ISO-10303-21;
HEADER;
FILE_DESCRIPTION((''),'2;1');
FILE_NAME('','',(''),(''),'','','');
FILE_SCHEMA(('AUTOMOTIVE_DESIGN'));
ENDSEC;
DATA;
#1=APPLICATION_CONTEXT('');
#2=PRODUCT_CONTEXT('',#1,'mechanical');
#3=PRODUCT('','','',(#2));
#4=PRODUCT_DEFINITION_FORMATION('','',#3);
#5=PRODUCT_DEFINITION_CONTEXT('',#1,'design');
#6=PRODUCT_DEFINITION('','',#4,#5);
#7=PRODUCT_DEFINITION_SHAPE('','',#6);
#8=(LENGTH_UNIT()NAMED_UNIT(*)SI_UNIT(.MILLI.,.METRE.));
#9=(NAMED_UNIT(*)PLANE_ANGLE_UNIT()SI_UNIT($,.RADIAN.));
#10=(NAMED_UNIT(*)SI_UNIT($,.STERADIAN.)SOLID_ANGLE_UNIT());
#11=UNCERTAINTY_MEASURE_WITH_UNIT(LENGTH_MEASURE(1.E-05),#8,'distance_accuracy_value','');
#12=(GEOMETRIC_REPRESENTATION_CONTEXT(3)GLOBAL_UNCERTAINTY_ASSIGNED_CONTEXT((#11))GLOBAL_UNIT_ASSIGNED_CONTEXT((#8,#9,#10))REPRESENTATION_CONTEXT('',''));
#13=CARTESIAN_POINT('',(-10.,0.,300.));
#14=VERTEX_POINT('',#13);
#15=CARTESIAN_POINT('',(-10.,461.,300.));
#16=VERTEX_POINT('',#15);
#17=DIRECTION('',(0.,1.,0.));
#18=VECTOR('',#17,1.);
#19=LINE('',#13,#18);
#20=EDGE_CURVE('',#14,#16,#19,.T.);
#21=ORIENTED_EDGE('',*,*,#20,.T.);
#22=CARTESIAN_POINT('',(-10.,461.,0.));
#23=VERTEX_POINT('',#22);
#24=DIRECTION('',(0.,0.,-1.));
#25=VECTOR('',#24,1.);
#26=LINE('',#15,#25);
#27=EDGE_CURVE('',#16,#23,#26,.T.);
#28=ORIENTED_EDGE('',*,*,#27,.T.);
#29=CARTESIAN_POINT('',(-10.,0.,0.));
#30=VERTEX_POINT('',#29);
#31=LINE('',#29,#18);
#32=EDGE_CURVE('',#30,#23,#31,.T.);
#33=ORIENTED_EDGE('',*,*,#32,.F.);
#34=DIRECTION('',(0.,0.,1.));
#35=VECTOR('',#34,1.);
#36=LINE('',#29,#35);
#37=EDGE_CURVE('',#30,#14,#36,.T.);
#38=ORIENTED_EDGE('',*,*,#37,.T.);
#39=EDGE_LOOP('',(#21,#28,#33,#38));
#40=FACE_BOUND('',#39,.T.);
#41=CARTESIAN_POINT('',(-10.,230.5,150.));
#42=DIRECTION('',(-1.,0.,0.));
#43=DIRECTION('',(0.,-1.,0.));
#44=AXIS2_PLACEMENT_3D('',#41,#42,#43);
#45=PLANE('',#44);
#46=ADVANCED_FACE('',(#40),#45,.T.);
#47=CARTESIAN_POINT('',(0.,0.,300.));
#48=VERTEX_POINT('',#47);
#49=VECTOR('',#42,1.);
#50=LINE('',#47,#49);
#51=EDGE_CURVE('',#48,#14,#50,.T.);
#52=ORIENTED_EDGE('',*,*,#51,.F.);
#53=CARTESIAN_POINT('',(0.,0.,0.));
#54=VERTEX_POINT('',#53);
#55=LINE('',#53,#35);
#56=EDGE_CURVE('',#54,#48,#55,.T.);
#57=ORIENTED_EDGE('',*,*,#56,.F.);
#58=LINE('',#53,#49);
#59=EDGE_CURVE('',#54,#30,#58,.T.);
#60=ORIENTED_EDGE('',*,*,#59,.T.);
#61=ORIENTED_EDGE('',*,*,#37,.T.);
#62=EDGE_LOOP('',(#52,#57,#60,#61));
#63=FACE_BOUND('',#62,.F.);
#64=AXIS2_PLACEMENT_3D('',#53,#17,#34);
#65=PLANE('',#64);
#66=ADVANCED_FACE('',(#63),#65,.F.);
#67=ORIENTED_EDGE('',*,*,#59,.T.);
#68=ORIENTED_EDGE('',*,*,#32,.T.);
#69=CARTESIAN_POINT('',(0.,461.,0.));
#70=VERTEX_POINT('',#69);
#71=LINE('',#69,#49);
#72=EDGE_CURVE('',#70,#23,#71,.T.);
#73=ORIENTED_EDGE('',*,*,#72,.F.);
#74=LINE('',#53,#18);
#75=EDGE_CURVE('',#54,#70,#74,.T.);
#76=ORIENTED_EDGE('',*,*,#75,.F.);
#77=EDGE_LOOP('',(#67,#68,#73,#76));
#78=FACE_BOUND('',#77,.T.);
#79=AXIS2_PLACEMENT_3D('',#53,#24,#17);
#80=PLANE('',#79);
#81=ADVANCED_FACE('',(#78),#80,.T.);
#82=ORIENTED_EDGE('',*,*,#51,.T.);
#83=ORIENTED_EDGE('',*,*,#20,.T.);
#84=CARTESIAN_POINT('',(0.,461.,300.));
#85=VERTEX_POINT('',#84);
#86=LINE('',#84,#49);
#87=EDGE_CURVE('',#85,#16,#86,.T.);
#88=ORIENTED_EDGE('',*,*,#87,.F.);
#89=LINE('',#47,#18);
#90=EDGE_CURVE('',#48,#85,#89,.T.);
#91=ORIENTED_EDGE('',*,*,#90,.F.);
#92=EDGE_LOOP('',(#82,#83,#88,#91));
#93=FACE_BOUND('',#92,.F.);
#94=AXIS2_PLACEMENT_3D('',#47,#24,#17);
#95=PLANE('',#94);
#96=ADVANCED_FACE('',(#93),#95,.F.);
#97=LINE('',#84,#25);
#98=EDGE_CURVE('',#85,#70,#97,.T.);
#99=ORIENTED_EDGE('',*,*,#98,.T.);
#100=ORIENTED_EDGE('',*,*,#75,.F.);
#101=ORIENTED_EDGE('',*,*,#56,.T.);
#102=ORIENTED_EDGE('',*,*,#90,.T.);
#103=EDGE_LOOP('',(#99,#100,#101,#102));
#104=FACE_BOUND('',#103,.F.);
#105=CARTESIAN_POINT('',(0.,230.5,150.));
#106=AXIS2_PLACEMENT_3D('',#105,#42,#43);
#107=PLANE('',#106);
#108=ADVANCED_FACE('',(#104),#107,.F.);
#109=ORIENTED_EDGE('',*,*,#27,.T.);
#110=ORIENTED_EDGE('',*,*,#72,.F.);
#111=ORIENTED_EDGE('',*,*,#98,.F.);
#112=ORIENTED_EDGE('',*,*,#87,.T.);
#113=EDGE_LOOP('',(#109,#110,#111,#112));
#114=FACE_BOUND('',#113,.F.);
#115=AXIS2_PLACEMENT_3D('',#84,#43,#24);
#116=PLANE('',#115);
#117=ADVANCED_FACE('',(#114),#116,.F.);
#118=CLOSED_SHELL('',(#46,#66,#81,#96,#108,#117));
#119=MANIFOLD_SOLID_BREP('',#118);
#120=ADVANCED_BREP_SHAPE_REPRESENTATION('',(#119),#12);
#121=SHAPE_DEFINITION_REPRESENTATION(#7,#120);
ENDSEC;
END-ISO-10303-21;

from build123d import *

# Parameters (mm, degrees)
PAD_DEPTH = 10


with BuildPart() as part:
    # Sketch → Pad (new body)
    with BuildSketch(Plane.YZ):
        Polygon((0, 0), (0, 300), (461, 300), (461, 0), (230.5, 0), align=None)
    extrude(amount=-PAD_DEPTH)


solid = part.part
